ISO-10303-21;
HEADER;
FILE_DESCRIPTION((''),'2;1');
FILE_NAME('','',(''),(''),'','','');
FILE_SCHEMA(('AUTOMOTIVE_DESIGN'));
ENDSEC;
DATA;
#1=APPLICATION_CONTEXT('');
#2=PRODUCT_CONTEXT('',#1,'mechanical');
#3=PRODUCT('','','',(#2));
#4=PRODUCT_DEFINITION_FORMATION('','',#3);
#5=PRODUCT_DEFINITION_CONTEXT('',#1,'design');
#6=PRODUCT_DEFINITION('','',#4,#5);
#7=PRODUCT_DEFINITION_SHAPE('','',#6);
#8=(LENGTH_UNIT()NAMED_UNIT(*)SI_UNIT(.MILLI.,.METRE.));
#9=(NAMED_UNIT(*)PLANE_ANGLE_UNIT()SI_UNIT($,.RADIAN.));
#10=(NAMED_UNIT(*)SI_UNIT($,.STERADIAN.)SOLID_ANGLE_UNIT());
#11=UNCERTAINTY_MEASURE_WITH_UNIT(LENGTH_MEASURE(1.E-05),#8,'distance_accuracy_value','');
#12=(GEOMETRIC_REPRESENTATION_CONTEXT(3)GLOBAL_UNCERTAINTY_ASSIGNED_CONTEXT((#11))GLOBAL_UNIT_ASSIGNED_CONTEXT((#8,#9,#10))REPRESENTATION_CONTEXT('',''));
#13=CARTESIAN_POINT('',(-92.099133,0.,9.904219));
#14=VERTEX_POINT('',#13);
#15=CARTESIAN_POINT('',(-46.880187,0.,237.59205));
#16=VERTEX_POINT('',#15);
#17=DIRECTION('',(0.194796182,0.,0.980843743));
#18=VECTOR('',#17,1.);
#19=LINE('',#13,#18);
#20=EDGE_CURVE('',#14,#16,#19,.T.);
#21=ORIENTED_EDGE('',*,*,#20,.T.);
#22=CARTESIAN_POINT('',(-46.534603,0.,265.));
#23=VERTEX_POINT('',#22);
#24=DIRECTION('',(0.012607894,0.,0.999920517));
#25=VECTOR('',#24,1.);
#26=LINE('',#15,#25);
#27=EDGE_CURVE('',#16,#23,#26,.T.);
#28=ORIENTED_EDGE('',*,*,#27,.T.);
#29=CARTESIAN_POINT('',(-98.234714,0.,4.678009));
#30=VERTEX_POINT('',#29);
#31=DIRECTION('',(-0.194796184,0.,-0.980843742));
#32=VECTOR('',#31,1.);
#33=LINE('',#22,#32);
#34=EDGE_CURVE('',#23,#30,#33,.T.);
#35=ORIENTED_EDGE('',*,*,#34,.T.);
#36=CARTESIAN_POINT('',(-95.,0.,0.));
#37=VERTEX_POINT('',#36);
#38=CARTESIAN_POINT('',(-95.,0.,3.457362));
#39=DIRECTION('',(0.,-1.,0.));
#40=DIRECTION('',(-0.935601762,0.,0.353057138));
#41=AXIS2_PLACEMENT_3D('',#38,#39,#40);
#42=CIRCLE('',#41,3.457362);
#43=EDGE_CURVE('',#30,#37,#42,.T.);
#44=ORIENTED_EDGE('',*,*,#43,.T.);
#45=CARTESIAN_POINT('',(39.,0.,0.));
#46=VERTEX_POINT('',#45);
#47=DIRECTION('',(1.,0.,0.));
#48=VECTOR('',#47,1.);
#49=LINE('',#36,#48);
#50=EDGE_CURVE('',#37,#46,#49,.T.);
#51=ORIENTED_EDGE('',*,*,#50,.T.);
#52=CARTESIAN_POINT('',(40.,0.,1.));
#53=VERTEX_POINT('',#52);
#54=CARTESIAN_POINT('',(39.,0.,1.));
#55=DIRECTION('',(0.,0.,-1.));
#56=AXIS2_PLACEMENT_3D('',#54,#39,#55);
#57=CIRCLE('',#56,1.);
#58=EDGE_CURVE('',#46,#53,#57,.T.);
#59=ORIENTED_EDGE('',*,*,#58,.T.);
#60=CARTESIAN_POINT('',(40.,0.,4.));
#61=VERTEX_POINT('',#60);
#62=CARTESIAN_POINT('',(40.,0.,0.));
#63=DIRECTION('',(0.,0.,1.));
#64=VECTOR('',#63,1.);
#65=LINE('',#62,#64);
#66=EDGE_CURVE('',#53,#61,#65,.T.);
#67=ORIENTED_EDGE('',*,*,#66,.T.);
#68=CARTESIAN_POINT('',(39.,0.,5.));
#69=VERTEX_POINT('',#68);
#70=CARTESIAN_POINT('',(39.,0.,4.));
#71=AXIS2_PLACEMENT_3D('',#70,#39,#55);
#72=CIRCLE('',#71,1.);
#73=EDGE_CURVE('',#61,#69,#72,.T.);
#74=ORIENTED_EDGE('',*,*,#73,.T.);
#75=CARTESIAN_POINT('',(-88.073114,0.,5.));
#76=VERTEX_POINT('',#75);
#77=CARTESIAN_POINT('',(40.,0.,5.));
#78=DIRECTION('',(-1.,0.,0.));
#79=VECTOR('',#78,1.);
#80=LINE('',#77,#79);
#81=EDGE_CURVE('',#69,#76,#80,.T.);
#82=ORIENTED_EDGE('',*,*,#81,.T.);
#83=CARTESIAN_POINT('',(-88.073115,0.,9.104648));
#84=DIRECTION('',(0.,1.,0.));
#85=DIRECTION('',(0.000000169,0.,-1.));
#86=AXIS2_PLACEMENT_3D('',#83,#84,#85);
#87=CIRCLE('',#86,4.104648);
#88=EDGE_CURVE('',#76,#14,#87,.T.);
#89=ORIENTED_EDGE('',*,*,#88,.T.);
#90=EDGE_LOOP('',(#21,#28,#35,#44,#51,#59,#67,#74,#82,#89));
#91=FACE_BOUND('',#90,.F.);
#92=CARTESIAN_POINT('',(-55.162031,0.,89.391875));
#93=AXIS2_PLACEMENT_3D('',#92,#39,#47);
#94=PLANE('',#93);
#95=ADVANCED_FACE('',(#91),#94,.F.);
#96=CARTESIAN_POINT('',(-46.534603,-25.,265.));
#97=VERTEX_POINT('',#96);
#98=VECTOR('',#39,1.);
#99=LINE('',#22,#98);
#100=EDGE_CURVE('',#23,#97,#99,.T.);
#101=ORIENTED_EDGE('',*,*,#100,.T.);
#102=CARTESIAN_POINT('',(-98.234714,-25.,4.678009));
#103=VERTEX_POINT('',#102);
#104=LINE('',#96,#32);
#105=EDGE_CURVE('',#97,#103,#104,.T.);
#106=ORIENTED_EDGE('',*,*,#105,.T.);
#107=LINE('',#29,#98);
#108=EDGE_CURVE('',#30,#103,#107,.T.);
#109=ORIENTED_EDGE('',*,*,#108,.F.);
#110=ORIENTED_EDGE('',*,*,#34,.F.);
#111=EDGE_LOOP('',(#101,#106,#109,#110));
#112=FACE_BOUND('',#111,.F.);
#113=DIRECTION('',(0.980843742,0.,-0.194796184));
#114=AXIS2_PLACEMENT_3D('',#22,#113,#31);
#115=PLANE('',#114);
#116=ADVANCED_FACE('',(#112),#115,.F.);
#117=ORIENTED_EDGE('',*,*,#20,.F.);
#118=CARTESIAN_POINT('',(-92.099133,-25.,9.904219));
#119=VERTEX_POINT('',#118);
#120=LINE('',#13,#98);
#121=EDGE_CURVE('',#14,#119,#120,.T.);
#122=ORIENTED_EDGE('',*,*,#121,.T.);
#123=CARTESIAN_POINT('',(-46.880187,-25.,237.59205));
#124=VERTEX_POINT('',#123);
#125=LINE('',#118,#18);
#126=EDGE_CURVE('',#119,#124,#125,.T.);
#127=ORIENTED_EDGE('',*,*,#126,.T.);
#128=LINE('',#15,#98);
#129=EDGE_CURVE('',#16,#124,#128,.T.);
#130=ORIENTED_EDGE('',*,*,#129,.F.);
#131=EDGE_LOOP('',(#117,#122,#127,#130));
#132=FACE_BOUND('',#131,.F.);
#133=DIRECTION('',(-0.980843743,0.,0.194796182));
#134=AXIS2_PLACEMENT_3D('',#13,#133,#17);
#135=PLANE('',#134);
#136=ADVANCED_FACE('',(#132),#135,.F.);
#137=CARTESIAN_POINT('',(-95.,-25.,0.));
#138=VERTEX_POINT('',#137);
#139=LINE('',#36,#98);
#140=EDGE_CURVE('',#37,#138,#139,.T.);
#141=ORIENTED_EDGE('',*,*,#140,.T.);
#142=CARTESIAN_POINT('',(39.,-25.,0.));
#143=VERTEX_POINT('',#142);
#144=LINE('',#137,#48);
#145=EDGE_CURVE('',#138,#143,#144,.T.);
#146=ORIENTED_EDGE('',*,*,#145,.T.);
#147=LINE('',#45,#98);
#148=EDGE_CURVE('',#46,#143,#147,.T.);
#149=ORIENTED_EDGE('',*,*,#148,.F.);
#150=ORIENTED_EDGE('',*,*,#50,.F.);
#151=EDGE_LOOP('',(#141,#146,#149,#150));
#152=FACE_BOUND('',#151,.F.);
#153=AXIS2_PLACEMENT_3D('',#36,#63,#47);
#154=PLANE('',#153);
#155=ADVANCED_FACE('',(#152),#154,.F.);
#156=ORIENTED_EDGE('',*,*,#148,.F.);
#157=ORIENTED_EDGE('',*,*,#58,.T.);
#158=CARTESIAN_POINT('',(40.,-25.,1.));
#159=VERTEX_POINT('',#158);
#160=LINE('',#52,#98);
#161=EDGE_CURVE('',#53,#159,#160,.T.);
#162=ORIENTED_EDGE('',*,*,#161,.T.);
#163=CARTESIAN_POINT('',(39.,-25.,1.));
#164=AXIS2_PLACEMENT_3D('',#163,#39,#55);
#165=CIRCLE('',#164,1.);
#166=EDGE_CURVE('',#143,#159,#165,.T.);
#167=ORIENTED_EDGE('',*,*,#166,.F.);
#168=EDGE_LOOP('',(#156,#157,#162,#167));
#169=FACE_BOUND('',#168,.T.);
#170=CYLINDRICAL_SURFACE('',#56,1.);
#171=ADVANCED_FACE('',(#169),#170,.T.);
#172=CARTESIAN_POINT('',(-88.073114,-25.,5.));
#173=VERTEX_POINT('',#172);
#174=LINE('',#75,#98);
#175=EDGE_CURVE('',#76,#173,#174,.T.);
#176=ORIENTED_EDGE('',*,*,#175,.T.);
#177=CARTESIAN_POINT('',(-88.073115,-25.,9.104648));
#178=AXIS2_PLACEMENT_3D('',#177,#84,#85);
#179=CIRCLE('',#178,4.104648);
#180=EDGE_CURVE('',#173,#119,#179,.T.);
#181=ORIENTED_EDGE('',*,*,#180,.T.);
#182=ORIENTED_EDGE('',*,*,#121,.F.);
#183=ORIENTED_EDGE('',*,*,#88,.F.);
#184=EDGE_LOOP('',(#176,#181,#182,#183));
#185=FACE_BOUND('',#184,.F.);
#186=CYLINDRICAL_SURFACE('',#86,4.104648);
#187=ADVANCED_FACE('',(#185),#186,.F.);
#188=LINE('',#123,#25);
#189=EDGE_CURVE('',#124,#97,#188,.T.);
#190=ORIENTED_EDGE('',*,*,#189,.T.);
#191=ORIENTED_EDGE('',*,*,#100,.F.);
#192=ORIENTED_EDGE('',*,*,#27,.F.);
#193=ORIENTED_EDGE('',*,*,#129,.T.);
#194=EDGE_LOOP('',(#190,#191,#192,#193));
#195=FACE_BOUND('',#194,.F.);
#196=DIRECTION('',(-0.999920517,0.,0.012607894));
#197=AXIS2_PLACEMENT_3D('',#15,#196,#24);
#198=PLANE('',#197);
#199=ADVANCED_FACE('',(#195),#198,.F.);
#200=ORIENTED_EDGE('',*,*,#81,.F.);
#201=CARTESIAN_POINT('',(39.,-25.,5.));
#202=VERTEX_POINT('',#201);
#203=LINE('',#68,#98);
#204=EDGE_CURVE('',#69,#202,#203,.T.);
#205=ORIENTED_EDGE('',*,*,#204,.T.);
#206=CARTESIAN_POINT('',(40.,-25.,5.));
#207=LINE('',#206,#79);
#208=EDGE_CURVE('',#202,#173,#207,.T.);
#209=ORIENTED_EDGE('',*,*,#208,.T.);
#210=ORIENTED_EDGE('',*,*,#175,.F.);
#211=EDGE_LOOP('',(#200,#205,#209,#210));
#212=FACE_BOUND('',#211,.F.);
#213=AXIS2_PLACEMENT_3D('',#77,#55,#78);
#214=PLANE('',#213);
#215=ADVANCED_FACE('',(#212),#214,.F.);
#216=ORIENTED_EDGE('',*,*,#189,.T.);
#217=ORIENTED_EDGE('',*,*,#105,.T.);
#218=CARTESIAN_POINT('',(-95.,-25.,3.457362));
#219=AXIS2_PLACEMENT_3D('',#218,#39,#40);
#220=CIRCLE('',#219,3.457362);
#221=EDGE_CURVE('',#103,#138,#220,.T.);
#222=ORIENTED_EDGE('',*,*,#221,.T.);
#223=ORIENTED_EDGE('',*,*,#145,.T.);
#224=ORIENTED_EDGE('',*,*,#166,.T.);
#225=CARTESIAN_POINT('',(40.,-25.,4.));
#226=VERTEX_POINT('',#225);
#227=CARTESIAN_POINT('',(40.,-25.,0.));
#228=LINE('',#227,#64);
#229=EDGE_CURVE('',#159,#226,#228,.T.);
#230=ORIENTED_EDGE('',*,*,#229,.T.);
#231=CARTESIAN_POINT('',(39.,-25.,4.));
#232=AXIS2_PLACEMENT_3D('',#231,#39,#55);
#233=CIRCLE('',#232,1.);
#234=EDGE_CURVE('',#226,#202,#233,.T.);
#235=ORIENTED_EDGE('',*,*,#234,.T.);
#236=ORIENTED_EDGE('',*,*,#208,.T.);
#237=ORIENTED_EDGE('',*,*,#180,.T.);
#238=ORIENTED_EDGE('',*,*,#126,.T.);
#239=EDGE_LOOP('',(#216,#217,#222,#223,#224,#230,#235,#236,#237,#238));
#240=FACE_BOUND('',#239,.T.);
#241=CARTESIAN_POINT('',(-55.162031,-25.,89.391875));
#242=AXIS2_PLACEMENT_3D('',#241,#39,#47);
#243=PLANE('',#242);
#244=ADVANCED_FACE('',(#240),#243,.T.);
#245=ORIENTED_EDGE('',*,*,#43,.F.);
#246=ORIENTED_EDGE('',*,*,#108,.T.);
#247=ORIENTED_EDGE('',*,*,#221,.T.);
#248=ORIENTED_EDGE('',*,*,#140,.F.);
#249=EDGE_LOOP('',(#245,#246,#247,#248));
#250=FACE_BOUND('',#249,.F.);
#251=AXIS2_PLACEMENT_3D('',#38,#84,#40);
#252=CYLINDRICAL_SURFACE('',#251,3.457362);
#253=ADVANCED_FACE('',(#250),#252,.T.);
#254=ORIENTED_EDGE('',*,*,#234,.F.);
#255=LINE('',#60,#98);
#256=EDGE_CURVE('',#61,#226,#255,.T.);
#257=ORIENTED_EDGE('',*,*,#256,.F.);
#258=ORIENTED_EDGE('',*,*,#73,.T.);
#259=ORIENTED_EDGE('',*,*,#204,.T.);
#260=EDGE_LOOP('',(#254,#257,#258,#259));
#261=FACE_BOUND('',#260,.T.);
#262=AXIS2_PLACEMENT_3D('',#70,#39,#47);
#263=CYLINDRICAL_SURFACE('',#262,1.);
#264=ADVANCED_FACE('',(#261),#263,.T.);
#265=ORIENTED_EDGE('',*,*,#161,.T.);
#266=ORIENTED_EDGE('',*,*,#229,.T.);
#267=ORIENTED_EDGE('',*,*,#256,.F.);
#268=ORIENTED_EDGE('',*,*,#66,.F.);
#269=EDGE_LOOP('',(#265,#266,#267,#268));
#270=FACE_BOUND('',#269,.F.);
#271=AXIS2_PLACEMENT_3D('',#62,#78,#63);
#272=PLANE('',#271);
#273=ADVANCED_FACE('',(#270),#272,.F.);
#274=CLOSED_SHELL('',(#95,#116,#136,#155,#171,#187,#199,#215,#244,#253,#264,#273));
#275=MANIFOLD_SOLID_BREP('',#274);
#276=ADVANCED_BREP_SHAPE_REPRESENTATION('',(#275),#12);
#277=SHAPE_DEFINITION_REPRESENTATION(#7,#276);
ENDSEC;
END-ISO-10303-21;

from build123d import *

# Parameters (mm, degrees)
F1_DEPTH = 25
F2_R     = 1


with BuildPart() as f1:
    # F0 (on Front) → F1 (new body)
    with BuildSketch(Plane.XZ):
        with BuildLine():
            Line((-95, 0), (40, 0))
            Line((40, 0), (40, 5))
            Line((40, 5), (-87.769055, 5))
            Line((-87.769055, 5), (-88.073114, 5))
            ThreePointArc((-88.073114, 5), (-91.24566, 6.500211), (-92.099133, 9.904219))
            Line((-92.099133, 9.904219), (-46.880187, 237.59205))
            Line((-46.880187, 237.59205), (-46.534603, 265))
            Line((-46.534603, 265), (-98.234714, 4.678009))
            ThreePointArc((-98.234714, 4.678009), (-97.843727, 1.491003), (-95, 0))
        make_face()
    extrude(amount=F1_DEPTH)

    # F2
    f2_edges = [f1.edges().sort_by_distance(p)[0] for p in [
        (40, -12.5, 5),
        (40, -12.5, 0),
    ]]
    fillet(f2_edges, radius=F2_R)


solid = f1.part
